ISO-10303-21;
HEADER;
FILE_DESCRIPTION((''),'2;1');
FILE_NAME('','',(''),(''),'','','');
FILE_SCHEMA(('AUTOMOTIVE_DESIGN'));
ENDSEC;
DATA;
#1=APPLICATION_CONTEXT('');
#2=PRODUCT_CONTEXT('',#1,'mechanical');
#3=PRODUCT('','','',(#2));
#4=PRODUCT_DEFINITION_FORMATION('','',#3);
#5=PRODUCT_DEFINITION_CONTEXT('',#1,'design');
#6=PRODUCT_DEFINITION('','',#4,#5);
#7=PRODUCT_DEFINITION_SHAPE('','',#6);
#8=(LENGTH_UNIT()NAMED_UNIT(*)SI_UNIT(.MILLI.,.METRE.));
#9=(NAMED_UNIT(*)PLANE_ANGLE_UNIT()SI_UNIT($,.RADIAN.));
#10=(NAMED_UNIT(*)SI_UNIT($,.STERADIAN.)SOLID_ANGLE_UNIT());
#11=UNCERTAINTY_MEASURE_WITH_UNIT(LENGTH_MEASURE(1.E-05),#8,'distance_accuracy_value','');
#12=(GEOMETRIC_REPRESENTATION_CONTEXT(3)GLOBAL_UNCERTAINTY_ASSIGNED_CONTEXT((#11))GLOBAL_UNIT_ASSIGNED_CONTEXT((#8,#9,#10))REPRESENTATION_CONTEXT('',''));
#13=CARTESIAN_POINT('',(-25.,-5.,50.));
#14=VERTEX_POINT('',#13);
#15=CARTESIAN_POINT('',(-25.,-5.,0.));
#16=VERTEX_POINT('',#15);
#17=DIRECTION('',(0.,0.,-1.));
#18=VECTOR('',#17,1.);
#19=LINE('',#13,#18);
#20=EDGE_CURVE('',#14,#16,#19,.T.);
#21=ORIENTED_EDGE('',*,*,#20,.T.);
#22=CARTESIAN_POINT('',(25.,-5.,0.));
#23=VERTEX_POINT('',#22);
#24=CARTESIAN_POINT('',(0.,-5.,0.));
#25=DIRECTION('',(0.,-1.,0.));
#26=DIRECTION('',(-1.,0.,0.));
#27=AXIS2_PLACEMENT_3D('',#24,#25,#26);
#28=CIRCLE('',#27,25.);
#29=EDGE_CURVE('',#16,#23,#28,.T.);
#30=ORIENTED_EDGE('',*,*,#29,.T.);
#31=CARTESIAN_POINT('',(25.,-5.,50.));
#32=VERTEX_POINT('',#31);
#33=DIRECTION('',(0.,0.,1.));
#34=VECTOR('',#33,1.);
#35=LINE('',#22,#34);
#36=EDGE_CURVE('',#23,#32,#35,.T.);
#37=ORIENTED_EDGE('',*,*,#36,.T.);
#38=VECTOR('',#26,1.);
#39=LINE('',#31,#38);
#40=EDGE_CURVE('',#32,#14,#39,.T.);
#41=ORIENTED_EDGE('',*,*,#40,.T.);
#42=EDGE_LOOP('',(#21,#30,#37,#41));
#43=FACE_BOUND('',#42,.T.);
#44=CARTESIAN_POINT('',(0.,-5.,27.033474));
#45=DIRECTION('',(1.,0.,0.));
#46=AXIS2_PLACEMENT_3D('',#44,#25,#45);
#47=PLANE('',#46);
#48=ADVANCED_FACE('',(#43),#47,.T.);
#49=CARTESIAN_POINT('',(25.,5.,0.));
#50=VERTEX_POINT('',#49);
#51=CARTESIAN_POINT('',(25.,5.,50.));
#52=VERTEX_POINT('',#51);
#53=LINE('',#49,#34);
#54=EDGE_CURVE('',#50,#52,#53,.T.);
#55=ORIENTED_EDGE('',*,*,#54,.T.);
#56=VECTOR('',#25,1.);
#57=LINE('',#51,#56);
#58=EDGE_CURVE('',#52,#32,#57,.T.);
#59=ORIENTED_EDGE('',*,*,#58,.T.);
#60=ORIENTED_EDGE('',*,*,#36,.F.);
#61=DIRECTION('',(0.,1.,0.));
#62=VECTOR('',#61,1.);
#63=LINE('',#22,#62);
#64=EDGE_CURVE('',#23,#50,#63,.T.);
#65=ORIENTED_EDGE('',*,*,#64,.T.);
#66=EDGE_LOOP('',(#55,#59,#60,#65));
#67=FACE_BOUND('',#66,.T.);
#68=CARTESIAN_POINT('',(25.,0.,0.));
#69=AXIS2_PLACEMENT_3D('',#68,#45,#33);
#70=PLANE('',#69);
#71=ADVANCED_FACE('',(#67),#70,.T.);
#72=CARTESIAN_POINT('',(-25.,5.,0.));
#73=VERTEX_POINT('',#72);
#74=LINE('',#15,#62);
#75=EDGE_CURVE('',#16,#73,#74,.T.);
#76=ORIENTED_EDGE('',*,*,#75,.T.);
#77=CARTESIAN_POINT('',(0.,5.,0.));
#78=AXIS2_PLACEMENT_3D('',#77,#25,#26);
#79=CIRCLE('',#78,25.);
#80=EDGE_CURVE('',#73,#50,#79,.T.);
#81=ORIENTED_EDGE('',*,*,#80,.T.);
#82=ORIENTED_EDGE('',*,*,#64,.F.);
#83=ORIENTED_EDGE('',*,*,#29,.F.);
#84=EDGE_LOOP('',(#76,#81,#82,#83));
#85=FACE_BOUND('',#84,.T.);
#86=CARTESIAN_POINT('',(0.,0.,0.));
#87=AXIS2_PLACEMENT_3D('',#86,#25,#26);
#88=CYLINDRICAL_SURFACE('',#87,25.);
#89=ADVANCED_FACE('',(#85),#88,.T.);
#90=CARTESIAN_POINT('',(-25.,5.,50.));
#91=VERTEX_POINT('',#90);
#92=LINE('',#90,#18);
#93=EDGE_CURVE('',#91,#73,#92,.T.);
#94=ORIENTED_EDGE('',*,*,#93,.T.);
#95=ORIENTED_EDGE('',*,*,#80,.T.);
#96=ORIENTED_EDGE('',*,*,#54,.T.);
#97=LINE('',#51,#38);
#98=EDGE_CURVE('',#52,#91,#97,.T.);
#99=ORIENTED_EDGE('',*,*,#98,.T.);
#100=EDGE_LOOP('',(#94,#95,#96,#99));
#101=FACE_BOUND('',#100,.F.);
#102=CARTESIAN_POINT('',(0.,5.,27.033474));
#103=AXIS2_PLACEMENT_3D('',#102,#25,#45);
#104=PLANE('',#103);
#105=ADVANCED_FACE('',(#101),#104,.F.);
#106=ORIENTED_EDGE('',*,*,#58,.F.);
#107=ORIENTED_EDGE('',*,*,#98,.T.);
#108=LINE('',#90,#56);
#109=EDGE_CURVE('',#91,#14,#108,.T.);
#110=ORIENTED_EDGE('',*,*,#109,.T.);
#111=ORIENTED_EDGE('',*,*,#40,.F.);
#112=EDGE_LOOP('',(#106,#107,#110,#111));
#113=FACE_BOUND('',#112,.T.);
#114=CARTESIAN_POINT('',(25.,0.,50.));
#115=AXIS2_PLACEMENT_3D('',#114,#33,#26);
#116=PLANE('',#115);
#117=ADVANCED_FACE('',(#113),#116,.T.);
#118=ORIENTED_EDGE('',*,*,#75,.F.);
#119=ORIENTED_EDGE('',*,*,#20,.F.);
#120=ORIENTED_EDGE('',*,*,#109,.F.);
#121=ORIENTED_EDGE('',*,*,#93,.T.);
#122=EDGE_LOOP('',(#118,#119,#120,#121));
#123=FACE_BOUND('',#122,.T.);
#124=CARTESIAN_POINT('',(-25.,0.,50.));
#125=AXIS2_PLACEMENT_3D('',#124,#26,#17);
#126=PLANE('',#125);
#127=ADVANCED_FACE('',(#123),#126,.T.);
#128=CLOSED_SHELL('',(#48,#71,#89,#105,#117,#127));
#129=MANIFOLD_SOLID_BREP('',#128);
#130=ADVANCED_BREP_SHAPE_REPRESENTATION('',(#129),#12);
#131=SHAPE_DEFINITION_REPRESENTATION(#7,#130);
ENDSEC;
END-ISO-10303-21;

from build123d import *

# Parameters (mm, degrees)
F1_DEPTH = 5


with BuildPart() as f1:
    # F0 (on Front) → F1 (new body, symmetric)
    with BuildSketch(Plane.XZ):
        with BuildLine():
            ThreePointArc((-25, 0), (0, 25), (25, 0))
            Line((25, 0), (25, 50))
            Line((25, 50), (-25, 50))
            Line((-25, 50), (-25, 0))
        make_face()
        with BuildLine():
            Line((-25, 0), (25, 0))
            ThreePointArc((25, 0), (0, 25), (-25, 0))
        make_face()
        with BuildLine():
            ThreePointArc((-25, 0), (0, -25), (25, 0))
            Line((25, 0), (-25, 0))
        make_face()
    extrude(amount=F1_DEPTH, both=True)


solid = f1.part
